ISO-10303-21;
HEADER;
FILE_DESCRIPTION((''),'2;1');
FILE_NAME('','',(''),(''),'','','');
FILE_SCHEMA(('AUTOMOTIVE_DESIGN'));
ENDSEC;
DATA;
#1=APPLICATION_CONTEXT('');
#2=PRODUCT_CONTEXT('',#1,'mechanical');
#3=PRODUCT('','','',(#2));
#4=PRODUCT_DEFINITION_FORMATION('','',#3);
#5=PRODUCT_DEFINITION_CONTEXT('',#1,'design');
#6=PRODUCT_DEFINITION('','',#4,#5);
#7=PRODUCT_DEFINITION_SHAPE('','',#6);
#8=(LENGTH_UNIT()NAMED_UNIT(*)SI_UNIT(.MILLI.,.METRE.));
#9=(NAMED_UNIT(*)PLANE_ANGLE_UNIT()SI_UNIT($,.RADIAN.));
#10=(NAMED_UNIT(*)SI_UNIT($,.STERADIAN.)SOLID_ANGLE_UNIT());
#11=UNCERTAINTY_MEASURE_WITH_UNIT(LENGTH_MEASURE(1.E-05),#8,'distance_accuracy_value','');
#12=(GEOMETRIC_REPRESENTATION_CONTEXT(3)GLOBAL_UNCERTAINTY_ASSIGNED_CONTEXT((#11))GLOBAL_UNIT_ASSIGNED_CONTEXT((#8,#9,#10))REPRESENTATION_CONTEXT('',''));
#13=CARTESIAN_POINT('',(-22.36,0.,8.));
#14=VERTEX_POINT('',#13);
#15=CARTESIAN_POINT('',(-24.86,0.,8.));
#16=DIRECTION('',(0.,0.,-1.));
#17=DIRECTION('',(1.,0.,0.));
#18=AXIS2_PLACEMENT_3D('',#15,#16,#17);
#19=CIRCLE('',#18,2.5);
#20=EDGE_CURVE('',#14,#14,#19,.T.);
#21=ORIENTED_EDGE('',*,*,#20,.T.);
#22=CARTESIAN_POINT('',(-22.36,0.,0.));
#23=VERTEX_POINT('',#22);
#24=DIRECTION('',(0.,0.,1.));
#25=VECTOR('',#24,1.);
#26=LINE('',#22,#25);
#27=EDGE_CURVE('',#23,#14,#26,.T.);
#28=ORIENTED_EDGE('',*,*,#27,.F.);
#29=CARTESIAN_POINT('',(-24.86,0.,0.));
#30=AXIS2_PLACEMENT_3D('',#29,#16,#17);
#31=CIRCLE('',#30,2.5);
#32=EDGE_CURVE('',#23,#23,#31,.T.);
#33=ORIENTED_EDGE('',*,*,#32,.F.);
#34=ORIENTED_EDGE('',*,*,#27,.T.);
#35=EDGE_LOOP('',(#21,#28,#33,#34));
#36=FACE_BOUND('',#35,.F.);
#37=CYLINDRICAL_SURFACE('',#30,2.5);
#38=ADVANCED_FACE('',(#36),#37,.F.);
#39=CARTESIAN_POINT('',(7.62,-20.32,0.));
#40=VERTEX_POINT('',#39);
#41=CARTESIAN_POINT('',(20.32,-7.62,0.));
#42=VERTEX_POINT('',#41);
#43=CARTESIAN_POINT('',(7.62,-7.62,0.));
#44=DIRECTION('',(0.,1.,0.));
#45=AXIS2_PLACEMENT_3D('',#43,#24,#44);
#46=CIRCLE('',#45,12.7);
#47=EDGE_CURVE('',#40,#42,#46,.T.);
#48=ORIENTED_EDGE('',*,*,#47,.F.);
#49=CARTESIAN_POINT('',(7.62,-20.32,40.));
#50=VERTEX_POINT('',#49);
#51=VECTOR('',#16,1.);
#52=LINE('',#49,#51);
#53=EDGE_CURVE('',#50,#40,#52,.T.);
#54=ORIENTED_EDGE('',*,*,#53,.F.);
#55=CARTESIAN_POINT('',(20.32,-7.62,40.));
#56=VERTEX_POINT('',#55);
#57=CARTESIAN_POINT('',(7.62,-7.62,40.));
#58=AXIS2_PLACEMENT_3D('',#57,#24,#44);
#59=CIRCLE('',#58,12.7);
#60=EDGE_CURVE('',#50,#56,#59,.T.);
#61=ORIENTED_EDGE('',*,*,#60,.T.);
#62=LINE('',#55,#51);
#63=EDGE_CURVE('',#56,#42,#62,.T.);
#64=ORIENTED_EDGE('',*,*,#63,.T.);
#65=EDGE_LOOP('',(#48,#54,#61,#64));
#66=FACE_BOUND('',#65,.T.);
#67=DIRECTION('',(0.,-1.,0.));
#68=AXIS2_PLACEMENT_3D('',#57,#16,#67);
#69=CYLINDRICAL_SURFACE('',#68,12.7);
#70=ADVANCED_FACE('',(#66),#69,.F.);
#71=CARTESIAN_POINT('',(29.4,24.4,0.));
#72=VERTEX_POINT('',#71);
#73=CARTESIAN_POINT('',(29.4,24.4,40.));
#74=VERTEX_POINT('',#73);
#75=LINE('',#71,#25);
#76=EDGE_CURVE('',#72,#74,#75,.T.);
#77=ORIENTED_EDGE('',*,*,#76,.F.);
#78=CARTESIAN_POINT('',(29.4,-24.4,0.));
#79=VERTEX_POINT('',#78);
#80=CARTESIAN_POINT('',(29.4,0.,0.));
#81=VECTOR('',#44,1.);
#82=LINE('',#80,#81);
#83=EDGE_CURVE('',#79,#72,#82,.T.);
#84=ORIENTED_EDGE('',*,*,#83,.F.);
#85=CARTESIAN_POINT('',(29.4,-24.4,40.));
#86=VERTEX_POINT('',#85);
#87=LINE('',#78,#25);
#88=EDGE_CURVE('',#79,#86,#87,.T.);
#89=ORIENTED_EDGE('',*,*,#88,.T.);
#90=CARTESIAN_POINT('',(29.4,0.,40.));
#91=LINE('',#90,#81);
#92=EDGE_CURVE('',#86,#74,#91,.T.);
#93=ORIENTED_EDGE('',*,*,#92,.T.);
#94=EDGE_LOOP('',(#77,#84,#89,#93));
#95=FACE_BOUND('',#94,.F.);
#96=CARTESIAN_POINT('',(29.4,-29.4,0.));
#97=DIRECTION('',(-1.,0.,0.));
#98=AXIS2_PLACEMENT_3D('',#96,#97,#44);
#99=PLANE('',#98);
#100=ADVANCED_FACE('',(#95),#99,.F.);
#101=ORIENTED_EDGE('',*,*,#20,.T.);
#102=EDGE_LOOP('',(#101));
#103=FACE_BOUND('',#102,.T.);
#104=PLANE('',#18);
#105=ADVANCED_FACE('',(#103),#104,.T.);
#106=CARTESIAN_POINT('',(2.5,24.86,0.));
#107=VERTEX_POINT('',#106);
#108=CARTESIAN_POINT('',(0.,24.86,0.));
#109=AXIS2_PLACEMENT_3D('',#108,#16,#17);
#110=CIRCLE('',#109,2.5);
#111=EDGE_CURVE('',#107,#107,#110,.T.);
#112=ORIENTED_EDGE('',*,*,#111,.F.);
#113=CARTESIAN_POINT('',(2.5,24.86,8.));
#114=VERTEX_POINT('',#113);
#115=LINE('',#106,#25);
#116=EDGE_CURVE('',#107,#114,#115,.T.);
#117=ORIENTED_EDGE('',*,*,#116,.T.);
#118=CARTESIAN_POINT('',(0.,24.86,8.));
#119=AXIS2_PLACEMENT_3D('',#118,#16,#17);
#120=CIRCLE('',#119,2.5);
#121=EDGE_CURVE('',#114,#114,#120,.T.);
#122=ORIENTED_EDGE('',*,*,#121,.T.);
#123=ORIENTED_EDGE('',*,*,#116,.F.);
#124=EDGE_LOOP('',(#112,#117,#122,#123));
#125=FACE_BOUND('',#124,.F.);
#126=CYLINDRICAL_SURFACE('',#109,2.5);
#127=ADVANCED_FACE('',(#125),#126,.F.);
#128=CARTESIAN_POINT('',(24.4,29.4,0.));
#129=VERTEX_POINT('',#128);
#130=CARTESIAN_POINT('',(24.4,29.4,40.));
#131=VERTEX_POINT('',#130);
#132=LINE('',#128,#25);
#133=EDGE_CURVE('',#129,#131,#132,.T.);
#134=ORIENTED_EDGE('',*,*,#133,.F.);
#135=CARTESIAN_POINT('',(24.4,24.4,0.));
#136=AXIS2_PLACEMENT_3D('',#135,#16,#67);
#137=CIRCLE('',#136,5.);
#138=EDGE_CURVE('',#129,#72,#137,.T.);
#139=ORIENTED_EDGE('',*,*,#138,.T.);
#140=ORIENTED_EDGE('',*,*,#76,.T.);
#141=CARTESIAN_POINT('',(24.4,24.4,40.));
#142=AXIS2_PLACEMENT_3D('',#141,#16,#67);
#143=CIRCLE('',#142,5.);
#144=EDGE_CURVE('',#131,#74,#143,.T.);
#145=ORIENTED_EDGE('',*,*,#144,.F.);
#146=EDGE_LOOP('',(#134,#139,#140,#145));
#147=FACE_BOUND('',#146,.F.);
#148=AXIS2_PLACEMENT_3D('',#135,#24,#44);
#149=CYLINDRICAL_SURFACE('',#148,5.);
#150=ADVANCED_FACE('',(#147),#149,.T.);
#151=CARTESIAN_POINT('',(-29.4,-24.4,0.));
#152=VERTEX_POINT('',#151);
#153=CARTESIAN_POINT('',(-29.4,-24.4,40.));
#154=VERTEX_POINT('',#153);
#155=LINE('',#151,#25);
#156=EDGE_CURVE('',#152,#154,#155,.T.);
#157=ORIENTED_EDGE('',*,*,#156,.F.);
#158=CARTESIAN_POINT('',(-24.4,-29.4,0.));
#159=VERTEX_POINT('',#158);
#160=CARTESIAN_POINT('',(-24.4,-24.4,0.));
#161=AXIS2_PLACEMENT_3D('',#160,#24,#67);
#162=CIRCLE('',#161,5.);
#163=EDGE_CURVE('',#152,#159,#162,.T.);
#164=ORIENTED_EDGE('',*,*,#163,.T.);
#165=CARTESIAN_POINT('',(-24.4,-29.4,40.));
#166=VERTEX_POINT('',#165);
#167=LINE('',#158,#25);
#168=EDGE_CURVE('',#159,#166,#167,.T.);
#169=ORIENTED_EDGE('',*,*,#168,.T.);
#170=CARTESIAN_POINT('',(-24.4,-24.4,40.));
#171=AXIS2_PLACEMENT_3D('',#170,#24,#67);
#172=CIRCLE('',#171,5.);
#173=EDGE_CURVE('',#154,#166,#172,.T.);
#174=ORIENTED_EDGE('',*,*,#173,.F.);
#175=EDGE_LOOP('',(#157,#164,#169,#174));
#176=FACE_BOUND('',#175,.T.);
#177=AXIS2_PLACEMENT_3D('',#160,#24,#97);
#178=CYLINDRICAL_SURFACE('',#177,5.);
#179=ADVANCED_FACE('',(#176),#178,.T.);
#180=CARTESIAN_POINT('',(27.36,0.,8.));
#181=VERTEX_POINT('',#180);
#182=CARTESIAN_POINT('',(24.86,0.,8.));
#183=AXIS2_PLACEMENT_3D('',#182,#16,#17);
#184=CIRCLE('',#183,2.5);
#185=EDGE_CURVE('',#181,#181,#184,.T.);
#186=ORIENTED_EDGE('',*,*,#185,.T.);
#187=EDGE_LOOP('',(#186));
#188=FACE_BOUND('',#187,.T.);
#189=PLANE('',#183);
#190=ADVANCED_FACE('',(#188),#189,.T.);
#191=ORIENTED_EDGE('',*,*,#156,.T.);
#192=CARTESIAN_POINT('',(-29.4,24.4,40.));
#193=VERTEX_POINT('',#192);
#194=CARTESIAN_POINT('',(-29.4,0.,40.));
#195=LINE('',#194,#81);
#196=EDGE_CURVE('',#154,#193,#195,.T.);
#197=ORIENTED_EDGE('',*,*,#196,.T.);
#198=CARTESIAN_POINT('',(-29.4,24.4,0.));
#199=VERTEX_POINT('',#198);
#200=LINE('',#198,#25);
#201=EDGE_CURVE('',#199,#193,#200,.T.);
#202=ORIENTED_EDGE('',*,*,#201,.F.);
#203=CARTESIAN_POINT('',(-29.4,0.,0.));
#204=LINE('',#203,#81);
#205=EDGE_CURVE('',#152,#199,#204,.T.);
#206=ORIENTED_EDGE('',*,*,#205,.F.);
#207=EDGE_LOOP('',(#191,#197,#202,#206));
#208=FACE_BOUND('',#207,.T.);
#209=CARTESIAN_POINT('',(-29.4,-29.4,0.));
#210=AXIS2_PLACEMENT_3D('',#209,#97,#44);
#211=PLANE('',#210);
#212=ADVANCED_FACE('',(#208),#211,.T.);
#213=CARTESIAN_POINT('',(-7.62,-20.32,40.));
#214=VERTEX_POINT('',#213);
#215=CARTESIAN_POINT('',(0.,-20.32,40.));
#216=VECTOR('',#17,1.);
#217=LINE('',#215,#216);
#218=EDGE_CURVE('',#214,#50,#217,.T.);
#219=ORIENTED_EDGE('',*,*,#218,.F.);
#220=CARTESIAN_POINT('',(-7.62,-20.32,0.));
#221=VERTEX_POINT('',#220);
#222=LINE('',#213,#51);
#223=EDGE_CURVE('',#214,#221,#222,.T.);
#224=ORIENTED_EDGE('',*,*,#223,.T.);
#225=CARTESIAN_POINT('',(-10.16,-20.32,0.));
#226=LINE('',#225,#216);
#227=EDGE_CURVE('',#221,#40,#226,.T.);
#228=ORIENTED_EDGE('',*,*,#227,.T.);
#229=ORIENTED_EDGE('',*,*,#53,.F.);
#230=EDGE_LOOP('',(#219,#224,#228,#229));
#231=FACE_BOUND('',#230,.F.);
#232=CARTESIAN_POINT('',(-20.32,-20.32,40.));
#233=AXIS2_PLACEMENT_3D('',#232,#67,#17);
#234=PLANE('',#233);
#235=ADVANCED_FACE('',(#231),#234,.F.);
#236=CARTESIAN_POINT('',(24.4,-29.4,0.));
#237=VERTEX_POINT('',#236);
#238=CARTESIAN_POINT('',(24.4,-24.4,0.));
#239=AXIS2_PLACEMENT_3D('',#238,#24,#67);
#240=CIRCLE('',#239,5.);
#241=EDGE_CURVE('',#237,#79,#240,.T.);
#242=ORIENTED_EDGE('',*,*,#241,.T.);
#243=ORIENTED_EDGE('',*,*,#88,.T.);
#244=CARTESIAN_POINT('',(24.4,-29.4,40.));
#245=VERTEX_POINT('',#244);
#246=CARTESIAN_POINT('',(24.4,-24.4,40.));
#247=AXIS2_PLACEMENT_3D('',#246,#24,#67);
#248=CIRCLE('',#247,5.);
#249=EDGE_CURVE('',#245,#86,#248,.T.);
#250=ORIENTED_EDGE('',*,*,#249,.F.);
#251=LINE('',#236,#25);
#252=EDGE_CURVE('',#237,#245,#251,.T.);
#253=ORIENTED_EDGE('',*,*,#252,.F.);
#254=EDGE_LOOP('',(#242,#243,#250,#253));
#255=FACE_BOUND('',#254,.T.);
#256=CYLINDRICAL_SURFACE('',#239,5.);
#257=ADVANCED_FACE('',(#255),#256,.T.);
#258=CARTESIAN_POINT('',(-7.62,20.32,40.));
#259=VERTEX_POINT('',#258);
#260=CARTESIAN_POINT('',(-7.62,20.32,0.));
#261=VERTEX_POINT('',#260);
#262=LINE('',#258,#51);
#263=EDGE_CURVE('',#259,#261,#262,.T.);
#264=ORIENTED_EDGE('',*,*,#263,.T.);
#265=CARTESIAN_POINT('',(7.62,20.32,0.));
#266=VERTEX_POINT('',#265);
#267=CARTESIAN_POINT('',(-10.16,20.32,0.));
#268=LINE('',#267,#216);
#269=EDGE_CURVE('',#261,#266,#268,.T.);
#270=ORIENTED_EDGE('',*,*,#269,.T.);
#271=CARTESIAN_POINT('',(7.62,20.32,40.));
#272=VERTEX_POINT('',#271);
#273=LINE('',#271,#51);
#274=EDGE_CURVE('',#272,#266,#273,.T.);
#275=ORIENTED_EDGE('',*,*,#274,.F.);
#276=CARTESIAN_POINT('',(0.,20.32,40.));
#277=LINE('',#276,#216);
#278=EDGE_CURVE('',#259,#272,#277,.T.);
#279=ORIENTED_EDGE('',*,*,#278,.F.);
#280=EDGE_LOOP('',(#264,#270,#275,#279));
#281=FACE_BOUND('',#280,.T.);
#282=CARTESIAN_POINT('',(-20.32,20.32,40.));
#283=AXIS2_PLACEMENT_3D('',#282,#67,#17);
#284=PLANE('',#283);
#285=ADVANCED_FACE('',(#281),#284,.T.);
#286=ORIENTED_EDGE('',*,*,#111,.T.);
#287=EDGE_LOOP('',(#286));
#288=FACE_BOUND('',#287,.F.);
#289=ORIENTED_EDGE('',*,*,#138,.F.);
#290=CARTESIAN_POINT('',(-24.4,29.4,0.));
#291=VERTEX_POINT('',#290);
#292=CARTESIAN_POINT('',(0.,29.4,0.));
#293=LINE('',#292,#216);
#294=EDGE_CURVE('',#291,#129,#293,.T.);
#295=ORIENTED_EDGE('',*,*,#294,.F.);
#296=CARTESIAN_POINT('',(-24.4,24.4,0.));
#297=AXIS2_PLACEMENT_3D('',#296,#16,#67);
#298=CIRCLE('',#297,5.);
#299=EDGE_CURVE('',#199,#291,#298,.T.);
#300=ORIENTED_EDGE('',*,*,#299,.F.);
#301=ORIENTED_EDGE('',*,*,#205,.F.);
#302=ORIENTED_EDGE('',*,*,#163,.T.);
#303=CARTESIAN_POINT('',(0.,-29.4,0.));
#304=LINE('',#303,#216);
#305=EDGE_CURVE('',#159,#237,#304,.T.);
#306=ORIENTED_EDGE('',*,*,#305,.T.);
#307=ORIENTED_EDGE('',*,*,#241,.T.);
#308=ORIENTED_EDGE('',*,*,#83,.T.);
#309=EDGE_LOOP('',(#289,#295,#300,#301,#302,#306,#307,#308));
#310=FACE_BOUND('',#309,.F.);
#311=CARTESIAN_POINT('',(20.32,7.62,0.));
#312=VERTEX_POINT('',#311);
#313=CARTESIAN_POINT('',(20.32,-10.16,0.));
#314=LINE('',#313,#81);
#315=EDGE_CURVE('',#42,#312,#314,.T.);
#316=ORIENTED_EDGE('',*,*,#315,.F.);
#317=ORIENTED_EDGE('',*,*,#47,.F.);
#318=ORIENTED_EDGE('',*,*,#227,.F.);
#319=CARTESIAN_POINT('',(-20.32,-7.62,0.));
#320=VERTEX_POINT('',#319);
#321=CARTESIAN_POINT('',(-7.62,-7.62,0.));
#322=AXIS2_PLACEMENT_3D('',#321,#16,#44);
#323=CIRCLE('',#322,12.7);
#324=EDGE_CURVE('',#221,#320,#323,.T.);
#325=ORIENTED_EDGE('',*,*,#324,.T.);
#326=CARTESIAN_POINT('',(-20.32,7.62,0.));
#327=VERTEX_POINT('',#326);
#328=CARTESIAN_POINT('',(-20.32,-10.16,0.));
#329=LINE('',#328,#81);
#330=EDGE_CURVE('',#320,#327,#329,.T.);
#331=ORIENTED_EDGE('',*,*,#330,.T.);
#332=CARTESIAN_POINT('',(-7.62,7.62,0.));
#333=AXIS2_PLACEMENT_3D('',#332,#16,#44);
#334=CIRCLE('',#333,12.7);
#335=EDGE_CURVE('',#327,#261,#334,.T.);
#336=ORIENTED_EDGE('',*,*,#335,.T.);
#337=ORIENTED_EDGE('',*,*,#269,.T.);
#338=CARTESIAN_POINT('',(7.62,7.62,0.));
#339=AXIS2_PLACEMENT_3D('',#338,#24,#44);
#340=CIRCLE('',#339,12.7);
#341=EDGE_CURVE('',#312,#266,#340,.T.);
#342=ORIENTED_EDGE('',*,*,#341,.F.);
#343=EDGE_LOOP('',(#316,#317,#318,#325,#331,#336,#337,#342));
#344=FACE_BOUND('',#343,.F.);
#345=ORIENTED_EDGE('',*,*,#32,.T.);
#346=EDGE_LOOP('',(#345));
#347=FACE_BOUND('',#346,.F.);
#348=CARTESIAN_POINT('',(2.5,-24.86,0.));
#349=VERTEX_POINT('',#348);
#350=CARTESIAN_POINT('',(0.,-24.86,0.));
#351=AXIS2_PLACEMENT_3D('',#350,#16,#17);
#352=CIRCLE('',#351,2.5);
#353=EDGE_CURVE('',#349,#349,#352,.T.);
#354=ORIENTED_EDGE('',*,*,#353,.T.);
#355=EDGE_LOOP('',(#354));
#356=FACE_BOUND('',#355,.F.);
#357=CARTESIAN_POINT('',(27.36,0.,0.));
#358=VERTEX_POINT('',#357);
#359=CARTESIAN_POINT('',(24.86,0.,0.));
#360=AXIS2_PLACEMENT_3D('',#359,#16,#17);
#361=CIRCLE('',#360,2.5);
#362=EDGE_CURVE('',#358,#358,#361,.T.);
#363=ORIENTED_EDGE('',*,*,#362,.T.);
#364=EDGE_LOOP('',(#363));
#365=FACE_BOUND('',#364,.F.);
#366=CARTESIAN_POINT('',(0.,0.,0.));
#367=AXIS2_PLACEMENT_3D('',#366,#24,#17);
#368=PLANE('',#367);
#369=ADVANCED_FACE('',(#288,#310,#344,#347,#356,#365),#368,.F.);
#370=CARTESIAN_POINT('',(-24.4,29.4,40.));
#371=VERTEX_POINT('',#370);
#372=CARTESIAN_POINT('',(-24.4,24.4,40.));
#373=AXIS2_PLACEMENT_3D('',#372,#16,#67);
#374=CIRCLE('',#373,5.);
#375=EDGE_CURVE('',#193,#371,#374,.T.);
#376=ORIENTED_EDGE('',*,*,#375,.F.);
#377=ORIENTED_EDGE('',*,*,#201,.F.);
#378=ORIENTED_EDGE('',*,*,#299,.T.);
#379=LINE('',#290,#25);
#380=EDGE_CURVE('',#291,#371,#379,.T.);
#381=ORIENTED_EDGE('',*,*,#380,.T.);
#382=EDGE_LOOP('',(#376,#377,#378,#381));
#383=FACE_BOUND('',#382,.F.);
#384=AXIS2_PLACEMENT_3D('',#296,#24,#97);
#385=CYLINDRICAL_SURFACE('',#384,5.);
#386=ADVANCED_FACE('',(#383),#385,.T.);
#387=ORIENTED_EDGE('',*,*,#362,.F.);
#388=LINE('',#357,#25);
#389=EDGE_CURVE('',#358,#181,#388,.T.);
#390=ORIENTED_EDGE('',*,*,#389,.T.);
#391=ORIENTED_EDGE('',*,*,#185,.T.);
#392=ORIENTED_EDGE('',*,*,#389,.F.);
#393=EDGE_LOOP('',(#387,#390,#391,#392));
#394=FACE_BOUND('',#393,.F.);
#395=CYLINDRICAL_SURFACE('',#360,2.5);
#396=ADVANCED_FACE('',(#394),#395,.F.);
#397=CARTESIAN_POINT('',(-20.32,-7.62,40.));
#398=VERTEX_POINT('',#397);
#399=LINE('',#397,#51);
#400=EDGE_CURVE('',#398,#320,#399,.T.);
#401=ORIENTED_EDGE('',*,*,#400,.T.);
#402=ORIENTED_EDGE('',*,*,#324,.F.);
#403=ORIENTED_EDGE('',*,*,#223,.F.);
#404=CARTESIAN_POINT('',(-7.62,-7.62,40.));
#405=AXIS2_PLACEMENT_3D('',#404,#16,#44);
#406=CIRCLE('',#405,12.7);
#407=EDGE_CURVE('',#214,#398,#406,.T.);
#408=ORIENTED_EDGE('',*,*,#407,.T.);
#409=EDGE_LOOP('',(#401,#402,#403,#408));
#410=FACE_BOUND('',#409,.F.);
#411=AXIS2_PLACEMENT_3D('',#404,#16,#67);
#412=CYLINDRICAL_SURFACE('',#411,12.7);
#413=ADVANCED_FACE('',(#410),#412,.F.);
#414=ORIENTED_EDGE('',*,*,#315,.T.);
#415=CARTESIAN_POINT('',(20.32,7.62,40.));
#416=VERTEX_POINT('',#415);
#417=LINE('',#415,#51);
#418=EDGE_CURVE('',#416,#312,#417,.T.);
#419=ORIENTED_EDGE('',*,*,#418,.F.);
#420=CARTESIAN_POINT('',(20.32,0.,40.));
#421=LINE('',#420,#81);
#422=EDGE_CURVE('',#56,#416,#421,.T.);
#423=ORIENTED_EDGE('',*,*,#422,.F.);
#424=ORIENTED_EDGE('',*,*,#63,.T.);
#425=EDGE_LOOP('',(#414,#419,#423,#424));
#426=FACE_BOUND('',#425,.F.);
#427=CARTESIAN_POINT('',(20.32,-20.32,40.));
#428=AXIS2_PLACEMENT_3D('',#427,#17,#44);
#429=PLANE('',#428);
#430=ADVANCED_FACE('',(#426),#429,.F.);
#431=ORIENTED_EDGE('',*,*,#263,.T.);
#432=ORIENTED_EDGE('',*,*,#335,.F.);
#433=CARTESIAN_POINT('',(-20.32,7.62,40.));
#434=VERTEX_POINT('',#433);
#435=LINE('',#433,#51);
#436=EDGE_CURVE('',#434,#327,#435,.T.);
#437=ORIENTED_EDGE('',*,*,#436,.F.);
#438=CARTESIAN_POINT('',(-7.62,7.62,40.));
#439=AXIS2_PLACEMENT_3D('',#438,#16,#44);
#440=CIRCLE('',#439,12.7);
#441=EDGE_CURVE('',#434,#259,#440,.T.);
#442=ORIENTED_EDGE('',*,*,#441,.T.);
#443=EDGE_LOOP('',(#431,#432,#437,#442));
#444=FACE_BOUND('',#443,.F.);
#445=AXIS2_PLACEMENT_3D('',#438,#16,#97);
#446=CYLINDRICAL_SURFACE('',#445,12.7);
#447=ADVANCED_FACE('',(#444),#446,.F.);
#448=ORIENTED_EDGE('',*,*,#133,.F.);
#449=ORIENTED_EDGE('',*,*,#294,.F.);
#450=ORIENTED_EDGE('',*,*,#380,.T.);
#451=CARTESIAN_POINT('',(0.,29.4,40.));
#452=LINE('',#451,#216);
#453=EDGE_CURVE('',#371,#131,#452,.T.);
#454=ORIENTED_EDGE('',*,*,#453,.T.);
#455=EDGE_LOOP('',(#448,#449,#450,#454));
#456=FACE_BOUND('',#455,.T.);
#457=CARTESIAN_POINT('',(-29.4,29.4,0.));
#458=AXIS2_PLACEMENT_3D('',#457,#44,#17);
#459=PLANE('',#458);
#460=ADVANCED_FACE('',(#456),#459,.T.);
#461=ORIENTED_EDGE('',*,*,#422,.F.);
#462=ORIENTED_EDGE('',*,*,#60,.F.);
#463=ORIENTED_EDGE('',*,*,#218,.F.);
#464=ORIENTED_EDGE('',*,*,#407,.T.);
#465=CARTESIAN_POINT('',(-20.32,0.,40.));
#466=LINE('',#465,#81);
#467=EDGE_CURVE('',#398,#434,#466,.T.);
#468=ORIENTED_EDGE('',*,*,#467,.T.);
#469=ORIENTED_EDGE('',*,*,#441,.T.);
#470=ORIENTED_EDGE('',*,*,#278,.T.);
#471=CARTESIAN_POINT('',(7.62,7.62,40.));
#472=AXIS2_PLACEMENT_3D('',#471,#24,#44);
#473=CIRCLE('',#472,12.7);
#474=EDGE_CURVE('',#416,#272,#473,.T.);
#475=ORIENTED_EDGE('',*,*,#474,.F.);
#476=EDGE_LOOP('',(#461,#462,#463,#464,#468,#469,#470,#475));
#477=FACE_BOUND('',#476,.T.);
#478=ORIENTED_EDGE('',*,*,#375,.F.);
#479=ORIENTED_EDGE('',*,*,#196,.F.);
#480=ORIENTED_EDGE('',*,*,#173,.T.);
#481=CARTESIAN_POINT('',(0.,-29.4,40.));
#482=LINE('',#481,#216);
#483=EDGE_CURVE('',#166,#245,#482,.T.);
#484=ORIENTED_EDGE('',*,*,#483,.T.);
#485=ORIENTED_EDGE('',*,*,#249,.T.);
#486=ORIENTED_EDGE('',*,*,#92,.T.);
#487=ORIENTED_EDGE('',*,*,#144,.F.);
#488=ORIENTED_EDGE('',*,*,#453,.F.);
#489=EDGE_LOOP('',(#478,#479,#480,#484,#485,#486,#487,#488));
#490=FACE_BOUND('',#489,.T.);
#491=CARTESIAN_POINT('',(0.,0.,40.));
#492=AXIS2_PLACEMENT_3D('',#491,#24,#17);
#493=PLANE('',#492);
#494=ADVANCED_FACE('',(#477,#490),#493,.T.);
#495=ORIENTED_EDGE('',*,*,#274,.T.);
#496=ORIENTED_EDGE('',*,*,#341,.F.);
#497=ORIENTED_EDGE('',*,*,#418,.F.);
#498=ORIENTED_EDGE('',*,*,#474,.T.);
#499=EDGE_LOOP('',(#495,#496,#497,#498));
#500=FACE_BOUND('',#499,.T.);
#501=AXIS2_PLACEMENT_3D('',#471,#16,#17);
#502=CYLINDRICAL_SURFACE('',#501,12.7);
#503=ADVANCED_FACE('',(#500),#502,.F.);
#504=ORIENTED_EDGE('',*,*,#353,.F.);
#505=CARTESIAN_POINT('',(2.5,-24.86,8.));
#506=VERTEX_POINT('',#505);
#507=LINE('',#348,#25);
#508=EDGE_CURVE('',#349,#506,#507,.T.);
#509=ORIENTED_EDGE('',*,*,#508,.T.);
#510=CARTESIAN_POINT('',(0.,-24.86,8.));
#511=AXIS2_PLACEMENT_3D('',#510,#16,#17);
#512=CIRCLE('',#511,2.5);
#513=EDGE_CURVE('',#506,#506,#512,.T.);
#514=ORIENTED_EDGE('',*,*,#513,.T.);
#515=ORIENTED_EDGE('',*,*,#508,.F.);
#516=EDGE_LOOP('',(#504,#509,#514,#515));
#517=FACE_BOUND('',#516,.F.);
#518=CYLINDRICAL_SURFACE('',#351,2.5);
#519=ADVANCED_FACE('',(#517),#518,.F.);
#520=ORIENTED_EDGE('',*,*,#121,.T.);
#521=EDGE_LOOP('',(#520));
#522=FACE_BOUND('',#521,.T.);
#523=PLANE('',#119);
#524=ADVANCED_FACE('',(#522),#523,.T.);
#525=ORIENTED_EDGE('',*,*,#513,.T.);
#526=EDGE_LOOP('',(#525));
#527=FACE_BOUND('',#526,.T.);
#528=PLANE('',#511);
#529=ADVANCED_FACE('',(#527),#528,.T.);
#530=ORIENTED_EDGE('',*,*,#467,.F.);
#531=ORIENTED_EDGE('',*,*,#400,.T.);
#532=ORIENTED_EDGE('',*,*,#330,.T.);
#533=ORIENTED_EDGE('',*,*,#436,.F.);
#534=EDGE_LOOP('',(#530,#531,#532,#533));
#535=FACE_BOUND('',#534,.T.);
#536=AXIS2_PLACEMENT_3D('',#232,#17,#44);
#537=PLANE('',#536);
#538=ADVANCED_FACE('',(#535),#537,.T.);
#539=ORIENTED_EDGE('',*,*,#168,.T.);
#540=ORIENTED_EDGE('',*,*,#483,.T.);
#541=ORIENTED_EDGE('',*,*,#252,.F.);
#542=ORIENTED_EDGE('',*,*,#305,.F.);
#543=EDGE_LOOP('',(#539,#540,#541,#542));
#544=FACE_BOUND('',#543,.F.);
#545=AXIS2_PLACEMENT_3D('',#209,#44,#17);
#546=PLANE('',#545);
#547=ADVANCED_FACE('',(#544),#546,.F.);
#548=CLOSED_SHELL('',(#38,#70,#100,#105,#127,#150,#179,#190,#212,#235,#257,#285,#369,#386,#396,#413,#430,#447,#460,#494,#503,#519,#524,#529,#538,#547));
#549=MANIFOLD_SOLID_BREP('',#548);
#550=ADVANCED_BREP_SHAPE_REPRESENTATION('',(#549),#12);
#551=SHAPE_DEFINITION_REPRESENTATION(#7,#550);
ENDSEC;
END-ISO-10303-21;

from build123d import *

# Parameters (mm, degrees)
F0_W     = 58.8
F0_H     = 58.8
F1_DEPTH = 40
F2_W     = 40.64
F2_H     = 40.64
F3_DEPTH = 40.001
F4_R     = 2.5
F5_DEPTH = 8
F6_R     = 12.7
F7_R     = 5


with BuildPart() as f1:
    # F0 (on Top) → F1 (new body)
    with BuildSketch(Plane.XY):
        Rectangle(F0_W, F0_H)
    extrude(amount=F1_DEPTH)

    # F2 (on face) → F3 (cut, through all)
    with BuildSketch(Plane.XY.offset(40)):
        Rectangle(F2_W, F2_H)
    extrude(amount=-F3_DEPTH, mode=Mode.SUBTRACT)

    # F4 (on face) → F5 (cut)
    with BuildSketch(Plane(origin=(0, 0, 0), x_dir=(1, 0, 0), z_dir=(0, 0, -1))):
        with Locations((-24.86, 0)):
            Circle(F4_R)
        with Locations((0, 24.86)):
            Circle(F4_R)
        with Locations((24.86, 0)):
            Circle(F4_R)
        with Locations((0, -24.86)):
            Circle(F4_R)
    extrude(amount=-F5_DEPTH, mode=Mode.SUBTRACT)

    # F6
    f6_edges = [f1.edges().sort_by_distance(p)[0] for p in [
        (-20.32, 20.32, 20),
        (20.32, 20.32, 20),
        (20.32, -20.32, 20),
        (-20.32, -20.32, 20),
    ]]
    fillet(f6_edges, radius=F6_R)

    # F7
    f7_edges = [f1.edges().sort_by_distance(p)[0] for p in [
        (-29.4, -29.4, 20),
        (-29.4, 29.4, 20),
        (29.4, -29.4, 20),
        (29.4, 29.4, 20),
    ]]
    fillet(f7_edges, radius=F7_R)


solid = f1.part
